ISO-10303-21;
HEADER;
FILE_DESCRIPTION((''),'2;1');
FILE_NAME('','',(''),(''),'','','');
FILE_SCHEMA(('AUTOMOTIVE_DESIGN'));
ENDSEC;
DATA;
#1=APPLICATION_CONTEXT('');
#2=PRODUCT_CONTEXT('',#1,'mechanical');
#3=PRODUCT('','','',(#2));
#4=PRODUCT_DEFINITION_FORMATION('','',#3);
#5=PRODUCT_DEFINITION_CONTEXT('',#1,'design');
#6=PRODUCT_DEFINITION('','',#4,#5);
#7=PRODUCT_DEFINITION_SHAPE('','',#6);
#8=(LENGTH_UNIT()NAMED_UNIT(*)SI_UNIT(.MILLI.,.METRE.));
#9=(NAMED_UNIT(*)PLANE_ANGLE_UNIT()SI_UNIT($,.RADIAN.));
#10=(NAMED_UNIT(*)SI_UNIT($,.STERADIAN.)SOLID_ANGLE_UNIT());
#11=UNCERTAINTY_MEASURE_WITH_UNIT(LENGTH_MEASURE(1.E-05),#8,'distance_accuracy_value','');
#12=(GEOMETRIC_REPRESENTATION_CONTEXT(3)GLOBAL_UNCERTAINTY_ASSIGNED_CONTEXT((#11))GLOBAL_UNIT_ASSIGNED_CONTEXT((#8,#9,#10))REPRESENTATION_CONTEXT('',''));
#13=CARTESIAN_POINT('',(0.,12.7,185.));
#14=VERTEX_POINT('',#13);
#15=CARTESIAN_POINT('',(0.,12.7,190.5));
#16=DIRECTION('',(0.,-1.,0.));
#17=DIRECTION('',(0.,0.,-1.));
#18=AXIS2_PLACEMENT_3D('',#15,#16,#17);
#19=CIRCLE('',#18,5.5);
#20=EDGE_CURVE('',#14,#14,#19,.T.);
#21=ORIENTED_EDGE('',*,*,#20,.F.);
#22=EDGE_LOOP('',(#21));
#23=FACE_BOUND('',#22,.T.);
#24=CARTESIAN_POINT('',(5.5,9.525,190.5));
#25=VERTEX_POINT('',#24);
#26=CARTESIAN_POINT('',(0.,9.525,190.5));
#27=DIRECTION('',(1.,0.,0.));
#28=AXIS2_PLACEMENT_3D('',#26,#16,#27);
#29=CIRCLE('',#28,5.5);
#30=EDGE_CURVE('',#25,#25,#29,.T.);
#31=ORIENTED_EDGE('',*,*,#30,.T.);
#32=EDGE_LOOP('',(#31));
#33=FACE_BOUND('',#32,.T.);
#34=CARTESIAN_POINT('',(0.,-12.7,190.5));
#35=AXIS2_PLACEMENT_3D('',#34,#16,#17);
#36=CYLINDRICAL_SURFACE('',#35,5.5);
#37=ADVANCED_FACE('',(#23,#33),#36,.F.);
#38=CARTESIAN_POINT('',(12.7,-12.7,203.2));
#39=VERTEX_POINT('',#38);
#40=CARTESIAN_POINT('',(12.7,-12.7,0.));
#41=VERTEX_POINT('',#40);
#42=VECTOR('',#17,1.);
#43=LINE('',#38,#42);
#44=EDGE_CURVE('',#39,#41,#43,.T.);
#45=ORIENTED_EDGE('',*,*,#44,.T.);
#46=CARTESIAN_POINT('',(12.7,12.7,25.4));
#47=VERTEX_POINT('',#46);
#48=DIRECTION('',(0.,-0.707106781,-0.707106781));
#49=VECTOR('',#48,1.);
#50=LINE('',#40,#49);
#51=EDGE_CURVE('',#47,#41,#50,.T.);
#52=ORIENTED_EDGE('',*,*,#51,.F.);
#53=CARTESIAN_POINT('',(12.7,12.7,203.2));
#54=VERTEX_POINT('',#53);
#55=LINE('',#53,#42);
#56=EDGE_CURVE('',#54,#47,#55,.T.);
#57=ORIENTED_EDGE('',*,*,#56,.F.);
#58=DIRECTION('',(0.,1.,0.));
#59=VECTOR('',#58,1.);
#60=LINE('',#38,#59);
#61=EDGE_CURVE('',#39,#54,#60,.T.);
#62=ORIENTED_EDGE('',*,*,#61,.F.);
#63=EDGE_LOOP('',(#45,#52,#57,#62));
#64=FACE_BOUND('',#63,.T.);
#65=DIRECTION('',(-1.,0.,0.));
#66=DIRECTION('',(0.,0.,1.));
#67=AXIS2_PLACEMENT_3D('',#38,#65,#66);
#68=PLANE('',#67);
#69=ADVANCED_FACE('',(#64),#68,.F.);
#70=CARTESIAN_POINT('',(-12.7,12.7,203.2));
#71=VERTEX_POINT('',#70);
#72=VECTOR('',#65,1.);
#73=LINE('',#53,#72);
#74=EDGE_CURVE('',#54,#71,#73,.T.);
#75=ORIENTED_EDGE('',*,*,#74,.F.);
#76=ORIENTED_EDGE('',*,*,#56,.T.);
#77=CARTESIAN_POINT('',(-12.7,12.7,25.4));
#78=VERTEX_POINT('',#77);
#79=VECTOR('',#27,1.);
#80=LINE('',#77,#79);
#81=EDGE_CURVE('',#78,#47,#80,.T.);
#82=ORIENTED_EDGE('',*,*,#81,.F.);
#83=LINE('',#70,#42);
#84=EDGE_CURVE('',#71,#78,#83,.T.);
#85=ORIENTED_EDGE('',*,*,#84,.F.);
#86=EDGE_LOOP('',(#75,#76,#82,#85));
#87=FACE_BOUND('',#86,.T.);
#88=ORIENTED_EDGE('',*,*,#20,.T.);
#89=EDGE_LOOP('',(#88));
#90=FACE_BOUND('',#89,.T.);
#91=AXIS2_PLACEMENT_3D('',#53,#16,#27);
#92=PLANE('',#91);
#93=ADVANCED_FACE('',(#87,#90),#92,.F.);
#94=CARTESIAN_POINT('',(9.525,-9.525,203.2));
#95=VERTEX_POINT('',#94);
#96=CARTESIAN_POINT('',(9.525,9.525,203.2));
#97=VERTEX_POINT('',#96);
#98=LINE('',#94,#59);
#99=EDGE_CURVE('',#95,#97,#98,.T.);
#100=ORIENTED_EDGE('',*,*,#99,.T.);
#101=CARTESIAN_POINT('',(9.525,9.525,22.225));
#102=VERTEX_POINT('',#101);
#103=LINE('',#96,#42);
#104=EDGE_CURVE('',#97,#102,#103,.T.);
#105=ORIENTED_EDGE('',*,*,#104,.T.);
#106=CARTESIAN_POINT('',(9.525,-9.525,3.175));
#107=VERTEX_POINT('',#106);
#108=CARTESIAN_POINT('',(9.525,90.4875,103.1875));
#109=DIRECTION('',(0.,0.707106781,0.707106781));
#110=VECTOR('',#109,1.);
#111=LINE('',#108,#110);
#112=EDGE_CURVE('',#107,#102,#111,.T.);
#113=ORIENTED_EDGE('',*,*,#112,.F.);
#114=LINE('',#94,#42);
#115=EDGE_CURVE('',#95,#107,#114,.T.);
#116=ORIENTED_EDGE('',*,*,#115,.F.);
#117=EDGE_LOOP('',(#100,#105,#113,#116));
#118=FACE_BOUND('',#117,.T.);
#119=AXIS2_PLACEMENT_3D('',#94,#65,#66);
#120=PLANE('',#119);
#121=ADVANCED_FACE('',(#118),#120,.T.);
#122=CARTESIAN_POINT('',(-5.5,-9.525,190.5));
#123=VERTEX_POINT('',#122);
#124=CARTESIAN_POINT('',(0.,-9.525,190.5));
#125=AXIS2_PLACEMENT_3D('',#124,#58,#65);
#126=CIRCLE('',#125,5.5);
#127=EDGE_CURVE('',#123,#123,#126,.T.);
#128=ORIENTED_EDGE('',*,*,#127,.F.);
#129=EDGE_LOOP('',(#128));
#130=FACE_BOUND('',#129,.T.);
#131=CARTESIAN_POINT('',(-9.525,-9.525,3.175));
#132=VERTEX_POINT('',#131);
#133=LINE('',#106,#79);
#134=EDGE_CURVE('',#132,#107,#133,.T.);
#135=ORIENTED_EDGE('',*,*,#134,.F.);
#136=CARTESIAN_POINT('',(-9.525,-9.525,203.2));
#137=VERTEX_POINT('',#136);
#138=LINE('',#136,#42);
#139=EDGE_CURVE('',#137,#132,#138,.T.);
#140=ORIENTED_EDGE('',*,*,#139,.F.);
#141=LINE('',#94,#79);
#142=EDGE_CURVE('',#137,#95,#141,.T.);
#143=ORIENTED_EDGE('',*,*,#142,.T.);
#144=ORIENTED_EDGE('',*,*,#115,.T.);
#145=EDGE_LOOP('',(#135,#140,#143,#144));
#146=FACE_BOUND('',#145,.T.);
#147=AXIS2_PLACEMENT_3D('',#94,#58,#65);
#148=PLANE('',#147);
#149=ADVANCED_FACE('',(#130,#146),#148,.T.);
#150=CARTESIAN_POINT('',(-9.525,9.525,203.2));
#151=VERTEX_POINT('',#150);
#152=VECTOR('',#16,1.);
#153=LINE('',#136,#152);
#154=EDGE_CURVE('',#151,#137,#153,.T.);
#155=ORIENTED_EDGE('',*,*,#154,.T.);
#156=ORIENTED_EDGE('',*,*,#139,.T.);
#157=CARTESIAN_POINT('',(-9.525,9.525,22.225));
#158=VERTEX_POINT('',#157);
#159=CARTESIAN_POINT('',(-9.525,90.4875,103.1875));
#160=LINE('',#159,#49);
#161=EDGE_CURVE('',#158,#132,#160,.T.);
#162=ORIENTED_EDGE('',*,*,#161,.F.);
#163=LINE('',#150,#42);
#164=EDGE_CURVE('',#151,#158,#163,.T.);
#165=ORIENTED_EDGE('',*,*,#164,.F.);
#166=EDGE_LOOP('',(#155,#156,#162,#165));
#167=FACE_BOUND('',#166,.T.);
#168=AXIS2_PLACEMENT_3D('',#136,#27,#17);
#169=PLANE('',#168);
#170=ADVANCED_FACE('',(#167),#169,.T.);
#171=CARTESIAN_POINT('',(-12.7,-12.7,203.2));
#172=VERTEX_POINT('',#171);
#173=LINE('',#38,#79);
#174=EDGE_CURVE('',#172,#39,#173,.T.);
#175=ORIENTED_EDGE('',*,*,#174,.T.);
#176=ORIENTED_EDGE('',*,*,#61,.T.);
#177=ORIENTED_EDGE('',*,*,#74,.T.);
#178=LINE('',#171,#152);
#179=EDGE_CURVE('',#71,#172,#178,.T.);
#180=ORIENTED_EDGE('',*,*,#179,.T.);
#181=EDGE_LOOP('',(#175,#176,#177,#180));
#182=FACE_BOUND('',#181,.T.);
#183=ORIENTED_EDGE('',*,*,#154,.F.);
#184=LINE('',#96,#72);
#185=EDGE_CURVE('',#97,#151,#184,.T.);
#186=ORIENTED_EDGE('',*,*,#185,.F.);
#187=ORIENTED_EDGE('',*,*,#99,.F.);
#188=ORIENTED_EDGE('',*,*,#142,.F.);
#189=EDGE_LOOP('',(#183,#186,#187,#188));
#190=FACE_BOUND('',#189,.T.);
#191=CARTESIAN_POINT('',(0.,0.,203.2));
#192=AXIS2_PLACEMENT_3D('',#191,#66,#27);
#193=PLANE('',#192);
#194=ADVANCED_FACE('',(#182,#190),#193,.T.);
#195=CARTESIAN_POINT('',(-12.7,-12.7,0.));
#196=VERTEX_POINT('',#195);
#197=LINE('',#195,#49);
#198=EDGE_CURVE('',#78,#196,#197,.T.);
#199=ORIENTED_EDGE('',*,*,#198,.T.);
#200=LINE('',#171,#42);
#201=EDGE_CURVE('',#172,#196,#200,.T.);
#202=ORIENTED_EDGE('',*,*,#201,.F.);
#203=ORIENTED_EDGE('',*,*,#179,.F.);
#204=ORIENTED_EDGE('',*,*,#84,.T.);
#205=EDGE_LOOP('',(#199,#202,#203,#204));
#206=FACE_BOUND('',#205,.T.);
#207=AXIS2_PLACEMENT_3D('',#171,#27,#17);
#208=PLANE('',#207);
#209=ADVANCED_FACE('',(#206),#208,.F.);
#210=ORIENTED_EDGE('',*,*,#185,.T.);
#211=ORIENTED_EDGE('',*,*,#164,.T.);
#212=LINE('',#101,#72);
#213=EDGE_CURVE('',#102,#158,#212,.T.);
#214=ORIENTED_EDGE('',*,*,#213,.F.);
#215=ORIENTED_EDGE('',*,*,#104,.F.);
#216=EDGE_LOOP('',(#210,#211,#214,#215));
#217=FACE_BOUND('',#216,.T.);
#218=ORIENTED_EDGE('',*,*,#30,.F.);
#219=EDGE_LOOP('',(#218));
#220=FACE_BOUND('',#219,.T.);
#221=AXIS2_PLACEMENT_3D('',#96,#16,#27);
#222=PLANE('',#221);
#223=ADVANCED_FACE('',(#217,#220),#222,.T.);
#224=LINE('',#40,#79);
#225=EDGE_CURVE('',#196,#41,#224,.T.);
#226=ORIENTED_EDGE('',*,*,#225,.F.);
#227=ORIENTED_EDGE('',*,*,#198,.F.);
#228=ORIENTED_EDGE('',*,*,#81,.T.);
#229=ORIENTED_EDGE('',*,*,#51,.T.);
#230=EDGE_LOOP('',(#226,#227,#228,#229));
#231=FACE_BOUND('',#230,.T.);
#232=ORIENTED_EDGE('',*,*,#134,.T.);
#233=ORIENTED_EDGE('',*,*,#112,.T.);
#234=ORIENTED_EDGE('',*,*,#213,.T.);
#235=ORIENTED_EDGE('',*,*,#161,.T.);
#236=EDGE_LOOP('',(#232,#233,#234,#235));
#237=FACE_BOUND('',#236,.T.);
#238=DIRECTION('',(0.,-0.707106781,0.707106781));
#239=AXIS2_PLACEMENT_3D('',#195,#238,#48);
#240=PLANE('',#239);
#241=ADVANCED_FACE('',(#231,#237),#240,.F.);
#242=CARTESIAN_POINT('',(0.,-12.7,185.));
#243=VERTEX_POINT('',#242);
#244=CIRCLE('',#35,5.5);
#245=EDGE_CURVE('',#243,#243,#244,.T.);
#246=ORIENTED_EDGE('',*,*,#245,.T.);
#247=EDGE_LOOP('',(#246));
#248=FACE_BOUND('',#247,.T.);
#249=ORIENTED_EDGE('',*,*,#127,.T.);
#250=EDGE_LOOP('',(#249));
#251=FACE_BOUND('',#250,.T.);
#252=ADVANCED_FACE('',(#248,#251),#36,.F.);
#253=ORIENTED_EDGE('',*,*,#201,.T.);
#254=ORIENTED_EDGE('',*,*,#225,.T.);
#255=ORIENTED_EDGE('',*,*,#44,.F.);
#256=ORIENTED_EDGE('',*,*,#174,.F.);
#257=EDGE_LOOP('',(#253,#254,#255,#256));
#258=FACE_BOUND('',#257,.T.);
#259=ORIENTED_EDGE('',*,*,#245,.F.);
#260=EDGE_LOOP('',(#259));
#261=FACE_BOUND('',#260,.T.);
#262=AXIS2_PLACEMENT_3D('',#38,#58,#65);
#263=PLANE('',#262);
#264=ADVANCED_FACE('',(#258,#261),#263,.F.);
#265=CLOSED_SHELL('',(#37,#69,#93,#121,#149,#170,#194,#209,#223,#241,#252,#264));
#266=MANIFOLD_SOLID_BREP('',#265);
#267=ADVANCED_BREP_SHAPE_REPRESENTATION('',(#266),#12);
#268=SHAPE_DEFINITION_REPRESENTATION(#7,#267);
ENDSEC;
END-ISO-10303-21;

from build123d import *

# Parameters (mm, degrees)
SKETCH1_W             = 25.4
SKETCH1_H             = 25.4
SKETCH1_W_2           = 19.05
SKETCH1_H_2           = 19.05
BOSS_EXTRUDE1_DEPTH   = 203.2
CUT_EXTRUDE1_DEPTH    = 206.174779152
M10_CLEARANCE_HOLE1_D = 11


with BuildPart() as part:
    # Sketch1 → Boss-Extrude1 (new body)
    with BuildSketch(Plane.XY):
        Rectangle(SKETCH1_W, SKETCH1_H)
        Rectangle(SKETCH1_W_2, SKETCH1_H_2, mode=Mode.SUBTRACT)
    extrude(amount=BOSS_EXTRUDE1_DEPTH)

    # Sketch2 → Cut-Extrude1 (cut, through all)
    with BuildSketch(Plane(origin=(12.7, 0, 0), x_dir=(0, 0, -1), z_dir=(1, 0, 0))):
        Polygon((0, 12.7), (0, -12.7), (-25.4, 12.7), align=None)
    extrude(amount=-CUT_EXTRUDE1_DEPTH, mode=Mode.SUBTRACT)

    # M10 Clearance Hole1 (through all)
    with Locations(Plane(origin=(0, -12.7, 0), x_dir=(-1, 0, 0), z_dir=(0, -1, 0))):
        with Locations((0, -190.5)):
            Hole(M10_CLEARANCE_HOLE1_D / 2)


solid = part.part
